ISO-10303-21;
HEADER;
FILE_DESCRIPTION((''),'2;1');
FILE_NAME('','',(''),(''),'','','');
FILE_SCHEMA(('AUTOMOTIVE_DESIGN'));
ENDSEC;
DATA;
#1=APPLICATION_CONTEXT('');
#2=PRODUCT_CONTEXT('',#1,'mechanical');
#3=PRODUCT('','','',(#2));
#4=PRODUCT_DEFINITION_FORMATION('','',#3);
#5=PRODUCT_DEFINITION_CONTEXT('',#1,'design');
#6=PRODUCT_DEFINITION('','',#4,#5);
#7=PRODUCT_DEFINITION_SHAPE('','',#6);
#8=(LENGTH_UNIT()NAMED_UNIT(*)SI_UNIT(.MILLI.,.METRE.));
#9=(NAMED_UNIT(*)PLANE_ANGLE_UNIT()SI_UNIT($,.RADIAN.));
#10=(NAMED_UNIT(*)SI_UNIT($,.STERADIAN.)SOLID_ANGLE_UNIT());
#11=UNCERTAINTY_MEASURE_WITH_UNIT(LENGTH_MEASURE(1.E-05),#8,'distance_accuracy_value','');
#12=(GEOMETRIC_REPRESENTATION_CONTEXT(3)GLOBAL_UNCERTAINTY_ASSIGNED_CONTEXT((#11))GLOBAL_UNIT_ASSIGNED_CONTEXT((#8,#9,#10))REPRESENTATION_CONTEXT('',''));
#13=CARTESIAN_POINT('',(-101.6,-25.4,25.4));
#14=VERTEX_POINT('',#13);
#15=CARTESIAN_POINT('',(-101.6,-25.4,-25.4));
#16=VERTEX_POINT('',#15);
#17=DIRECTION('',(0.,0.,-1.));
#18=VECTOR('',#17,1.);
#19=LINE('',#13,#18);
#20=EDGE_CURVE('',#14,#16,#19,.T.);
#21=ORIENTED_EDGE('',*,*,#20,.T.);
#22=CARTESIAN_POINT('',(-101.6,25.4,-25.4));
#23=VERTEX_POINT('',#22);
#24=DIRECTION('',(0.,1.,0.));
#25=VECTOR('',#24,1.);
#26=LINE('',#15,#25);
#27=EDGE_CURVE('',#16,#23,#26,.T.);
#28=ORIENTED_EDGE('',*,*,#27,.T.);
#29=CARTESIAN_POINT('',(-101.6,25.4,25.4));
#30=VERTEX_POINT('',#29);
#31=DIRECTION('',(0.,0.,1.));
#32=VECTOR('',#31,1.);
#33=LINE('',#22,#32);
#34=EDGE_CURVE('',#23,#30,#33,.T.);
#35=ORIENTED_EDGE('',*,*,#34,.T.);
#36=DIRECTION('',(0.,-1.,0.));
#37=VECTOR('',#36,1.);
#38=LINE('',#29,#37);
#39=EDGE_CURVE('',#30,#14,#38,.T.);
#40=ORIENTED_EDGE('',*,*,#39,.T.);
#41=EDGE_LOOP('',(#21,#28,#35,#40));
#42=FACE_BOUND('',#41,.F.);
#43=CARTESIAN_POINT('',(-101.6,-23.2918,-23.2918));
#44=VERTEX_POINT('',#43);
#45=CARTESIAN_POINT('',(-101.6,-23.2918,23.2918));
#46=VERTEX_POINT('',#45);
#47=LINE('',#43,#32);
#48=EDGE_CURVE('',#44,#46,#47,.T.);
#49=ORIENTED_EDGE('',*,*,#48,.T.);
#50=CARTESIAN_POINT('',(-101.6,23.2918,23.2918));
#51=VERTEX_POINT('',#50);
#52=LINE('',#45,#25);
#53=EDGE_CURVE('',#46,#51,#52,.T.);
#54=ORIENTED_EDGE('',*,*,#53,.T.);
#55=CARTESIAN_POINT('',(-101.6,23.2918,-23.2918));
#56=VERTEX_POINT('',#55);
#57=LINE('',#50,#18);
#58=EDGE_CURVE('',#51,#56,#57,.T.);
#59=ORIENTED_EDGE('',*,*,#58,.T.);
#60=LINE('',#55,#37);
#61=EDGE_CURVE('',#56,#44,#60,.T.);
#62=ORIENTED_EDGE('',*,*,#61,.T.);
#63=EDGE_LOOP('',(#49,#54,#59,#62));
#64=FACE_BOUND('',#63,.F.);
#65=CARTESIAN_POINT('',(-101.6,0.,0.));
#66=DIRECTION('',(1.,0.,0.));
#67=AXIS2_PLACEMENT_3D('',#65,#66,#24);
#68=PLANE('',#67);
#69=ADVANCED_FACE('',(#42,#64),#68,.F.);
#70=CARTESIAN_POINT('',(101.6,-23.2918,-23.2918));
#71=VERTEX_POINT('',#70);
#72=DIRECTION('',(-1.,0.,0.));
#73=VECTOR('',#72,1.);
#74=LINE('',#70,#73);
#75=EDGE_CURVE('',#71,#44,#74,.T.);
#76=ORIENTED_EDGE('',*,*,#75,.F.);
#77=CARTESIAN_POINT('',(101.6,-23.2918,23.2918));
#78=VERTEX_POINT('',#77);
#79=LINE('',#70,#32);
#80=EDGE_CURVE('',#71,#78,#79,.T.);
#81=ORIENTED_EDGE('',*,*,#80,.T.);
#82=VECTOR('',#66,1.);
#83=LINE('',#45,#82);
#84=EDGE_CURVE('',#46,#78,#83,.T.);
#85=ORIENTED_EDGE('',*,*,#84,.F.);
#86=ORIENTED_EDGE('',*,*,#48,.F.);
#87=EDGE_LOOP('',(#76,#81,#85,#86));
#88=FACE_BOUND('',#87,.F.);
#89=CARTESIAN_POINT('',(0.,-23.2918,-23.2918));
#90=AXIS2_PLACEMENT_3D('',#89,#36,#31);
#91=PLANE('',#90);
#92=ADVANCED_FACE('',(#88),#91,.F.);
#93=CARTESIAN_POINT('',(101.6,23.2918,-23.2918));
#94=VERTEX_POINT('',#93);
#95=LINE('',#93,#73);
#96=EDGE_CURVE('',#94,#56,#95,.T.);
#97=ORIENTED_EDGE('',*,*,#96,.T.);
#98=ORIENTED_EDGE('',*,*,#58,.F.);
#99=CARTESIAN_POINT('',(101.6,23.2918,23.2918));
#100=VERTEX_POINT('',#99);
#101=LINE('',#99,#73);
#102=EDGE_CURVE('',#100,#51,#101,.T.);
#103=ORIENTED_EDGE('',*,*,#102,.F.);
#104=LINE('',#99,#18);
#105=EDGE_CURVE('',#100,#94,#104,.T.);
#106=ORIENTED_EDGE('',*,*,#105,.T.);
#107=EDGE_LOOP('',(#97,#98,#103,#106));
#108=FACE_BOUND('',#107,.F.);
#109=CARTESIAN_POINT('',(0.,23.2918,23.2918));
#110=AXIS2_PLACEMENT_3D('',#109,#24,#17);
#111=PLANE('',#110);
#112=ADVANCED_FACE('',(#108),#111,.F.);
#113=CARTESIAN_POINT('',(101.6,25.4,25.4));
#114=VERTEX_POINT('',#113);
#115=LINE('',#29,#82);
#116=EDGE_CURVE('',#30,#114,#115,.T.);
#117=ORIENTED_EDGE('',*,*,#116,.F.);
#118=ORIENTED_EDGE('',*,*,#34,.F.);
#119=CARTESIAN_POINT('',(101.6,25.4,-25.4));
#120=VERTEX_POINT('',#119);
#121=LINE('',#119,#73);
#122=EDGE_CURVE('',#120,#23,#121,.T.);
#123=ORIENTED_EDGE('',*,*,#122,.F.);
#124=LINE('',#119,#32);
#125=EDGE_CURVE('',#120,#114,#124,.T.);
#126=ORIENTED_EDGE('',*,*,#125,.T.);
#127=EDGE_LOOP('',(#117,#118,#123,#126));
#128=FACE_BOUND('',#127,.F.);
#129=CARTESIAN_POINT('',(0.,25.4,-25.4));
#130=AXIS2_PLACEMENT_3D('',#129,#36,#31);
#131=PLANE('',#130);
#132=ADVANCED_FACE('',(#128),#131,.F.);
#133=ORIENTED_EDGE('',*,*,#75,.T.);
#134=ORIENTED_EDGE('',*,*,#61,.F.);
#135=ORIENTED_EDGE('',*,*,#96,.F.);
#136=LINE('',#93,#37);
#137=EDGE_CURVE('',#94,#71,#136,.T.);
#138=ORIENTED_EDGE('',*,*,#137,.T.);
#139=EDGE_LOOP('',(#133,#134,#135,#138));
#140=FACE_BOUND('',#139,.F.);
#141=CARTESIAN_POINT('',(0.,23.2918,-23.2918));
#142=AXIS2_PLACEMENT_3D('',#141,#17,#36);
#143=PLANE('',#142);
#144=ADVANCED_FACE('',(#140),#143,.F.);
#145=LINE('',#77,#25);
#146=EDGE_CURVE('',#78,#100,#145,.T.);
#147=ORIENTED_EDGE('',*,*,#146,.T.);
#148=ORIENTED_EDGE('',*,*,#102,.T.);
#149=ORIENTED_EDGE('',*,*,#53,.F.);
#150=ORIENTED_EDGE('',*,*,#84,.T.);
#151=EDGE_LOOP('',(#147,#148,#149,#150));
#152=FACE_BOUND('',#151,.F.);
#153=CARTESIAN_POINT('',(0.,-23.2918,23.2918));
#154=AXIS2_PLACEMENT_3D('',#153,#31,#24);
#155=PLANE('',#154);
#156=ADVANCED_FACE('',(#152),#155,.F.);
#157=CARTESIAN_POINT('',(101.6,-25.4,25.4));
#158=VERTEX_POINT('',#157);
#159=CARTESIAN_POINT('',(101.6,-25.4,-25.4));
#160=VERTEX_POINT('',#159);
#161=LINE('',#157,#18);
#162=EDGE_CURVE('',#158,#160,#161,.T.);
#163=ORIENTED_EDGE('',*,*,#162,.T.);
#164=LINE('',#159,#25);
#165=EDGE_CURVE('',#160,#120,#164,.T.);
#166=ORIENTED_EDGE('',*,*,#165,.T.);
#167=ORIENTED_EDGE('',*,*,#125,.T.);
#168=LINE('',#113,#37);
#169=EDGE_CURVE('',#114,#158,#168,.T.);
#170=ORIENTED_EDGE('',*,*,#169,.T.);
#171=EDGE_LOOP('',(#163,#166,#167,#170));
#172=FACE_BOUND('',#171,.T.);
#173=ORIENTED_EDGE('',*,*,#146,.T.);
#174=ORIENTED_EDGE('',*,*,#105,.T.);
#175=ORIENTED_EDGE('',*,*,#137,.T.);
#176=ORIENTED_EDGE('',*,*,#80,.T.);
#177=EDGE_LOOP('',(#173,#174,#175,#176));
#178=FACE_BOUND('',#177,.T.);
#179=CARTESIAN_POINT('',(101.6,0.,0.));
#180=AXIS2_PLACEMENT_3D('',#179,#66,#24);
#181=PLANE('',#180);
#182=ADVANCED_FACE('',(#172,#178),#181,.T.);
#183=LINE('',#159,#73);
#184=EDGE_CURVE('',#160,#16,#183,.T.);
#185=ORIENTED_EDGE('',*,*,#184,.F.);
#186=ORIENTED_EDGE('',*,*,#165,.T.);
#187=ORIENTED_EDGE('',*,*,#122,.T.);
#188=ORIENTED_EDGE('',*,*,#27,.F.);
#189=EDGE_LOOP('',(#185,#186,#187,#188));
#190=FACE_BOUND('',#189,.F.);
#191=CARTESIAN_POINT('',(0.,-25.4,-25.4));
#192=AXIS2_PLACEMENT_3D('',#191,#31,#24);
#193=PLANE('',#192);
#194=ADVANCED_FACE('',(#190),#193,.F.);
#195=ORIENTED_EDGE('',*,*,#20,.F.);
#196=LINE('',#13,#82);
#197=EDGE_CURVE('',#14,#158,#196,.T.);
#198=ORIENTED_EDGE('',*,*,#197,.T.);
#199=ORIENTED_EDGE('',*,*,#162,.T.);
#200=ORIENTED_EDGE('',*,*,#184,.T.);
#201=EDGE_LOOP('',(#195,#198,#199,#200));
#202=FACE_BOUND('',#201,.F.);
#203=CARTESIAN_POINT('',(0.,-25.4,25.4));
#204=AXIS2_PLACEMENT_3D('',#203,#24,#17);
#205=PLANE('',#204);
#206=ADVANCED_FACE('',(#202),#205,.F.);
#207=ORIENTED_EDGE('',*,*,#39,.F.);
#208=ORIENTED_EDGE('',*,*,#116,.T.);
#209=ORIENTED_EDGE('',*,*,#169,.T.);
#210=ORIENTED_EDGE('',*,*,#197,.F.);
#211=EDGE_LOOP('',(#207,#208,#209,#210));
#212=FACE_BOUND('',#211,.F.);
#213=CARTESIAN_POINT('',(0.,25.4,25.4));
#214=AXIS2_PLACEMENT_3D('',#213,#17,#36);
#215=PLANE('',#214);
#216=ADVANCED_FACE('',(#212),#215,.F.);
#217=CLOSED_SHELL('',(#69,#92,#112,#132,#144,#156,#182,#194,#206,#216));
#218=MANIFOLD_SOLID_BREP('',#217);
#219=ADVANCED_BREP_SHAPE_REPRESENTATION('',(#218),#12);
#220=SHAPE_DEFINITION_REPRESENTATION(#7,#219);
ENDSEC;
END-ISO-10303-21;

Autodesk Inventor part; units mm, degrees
ref_plane "YZ Plane" through (0, 0, 0) normal (1, 0, 0) x (0, 1, 0)
ref_plane "XZ Plane" through (0, 0, 0) normal (0, 1, 0) x (-1, 0, 0)
ref_plane "XY Plane" through (0, 0, 0) normal (0, 0, 1) x (1, 0, 0)
sketch "Sketch1" plane through (0, 0, 0) normal (1, 0, 0) x (0, 1, 0)
  line L0 (25.4, 25.4) -> (-25.4, 25.4)
  line L1 (-25.4, 25.4) -> (-25.4, -25.4)
  line L2 (-25.4, -25.4) -> (25.4, -25.4)
  line L3 (25.4, -25.4) -> (25.4, 25.4)
  line L4 (-23.2918, 23.2918) -> (23.2918, 23.2918)
  line L5 (23.2918, 23.2918) -> (23.2918, -23.2918)
  line L6 (23.2918, -23.2918) -> (-23.2918, -23.2918)
  line L7 (-23.2918, -23.2918) -> (-23.2918, 23.2918)
  point P0 (0, 0)
  point P1 (23.2918, 0)
  point P2 (0, -23.2918)
  dimension "d0" = 50.8
  dimension "d1" = 50.8
  dimension "d2" = 2.1082
extrude "Extrusion1" add sketch "Sketch1" along normal mid plane 203.2
properties part number "Tube support base 2"
